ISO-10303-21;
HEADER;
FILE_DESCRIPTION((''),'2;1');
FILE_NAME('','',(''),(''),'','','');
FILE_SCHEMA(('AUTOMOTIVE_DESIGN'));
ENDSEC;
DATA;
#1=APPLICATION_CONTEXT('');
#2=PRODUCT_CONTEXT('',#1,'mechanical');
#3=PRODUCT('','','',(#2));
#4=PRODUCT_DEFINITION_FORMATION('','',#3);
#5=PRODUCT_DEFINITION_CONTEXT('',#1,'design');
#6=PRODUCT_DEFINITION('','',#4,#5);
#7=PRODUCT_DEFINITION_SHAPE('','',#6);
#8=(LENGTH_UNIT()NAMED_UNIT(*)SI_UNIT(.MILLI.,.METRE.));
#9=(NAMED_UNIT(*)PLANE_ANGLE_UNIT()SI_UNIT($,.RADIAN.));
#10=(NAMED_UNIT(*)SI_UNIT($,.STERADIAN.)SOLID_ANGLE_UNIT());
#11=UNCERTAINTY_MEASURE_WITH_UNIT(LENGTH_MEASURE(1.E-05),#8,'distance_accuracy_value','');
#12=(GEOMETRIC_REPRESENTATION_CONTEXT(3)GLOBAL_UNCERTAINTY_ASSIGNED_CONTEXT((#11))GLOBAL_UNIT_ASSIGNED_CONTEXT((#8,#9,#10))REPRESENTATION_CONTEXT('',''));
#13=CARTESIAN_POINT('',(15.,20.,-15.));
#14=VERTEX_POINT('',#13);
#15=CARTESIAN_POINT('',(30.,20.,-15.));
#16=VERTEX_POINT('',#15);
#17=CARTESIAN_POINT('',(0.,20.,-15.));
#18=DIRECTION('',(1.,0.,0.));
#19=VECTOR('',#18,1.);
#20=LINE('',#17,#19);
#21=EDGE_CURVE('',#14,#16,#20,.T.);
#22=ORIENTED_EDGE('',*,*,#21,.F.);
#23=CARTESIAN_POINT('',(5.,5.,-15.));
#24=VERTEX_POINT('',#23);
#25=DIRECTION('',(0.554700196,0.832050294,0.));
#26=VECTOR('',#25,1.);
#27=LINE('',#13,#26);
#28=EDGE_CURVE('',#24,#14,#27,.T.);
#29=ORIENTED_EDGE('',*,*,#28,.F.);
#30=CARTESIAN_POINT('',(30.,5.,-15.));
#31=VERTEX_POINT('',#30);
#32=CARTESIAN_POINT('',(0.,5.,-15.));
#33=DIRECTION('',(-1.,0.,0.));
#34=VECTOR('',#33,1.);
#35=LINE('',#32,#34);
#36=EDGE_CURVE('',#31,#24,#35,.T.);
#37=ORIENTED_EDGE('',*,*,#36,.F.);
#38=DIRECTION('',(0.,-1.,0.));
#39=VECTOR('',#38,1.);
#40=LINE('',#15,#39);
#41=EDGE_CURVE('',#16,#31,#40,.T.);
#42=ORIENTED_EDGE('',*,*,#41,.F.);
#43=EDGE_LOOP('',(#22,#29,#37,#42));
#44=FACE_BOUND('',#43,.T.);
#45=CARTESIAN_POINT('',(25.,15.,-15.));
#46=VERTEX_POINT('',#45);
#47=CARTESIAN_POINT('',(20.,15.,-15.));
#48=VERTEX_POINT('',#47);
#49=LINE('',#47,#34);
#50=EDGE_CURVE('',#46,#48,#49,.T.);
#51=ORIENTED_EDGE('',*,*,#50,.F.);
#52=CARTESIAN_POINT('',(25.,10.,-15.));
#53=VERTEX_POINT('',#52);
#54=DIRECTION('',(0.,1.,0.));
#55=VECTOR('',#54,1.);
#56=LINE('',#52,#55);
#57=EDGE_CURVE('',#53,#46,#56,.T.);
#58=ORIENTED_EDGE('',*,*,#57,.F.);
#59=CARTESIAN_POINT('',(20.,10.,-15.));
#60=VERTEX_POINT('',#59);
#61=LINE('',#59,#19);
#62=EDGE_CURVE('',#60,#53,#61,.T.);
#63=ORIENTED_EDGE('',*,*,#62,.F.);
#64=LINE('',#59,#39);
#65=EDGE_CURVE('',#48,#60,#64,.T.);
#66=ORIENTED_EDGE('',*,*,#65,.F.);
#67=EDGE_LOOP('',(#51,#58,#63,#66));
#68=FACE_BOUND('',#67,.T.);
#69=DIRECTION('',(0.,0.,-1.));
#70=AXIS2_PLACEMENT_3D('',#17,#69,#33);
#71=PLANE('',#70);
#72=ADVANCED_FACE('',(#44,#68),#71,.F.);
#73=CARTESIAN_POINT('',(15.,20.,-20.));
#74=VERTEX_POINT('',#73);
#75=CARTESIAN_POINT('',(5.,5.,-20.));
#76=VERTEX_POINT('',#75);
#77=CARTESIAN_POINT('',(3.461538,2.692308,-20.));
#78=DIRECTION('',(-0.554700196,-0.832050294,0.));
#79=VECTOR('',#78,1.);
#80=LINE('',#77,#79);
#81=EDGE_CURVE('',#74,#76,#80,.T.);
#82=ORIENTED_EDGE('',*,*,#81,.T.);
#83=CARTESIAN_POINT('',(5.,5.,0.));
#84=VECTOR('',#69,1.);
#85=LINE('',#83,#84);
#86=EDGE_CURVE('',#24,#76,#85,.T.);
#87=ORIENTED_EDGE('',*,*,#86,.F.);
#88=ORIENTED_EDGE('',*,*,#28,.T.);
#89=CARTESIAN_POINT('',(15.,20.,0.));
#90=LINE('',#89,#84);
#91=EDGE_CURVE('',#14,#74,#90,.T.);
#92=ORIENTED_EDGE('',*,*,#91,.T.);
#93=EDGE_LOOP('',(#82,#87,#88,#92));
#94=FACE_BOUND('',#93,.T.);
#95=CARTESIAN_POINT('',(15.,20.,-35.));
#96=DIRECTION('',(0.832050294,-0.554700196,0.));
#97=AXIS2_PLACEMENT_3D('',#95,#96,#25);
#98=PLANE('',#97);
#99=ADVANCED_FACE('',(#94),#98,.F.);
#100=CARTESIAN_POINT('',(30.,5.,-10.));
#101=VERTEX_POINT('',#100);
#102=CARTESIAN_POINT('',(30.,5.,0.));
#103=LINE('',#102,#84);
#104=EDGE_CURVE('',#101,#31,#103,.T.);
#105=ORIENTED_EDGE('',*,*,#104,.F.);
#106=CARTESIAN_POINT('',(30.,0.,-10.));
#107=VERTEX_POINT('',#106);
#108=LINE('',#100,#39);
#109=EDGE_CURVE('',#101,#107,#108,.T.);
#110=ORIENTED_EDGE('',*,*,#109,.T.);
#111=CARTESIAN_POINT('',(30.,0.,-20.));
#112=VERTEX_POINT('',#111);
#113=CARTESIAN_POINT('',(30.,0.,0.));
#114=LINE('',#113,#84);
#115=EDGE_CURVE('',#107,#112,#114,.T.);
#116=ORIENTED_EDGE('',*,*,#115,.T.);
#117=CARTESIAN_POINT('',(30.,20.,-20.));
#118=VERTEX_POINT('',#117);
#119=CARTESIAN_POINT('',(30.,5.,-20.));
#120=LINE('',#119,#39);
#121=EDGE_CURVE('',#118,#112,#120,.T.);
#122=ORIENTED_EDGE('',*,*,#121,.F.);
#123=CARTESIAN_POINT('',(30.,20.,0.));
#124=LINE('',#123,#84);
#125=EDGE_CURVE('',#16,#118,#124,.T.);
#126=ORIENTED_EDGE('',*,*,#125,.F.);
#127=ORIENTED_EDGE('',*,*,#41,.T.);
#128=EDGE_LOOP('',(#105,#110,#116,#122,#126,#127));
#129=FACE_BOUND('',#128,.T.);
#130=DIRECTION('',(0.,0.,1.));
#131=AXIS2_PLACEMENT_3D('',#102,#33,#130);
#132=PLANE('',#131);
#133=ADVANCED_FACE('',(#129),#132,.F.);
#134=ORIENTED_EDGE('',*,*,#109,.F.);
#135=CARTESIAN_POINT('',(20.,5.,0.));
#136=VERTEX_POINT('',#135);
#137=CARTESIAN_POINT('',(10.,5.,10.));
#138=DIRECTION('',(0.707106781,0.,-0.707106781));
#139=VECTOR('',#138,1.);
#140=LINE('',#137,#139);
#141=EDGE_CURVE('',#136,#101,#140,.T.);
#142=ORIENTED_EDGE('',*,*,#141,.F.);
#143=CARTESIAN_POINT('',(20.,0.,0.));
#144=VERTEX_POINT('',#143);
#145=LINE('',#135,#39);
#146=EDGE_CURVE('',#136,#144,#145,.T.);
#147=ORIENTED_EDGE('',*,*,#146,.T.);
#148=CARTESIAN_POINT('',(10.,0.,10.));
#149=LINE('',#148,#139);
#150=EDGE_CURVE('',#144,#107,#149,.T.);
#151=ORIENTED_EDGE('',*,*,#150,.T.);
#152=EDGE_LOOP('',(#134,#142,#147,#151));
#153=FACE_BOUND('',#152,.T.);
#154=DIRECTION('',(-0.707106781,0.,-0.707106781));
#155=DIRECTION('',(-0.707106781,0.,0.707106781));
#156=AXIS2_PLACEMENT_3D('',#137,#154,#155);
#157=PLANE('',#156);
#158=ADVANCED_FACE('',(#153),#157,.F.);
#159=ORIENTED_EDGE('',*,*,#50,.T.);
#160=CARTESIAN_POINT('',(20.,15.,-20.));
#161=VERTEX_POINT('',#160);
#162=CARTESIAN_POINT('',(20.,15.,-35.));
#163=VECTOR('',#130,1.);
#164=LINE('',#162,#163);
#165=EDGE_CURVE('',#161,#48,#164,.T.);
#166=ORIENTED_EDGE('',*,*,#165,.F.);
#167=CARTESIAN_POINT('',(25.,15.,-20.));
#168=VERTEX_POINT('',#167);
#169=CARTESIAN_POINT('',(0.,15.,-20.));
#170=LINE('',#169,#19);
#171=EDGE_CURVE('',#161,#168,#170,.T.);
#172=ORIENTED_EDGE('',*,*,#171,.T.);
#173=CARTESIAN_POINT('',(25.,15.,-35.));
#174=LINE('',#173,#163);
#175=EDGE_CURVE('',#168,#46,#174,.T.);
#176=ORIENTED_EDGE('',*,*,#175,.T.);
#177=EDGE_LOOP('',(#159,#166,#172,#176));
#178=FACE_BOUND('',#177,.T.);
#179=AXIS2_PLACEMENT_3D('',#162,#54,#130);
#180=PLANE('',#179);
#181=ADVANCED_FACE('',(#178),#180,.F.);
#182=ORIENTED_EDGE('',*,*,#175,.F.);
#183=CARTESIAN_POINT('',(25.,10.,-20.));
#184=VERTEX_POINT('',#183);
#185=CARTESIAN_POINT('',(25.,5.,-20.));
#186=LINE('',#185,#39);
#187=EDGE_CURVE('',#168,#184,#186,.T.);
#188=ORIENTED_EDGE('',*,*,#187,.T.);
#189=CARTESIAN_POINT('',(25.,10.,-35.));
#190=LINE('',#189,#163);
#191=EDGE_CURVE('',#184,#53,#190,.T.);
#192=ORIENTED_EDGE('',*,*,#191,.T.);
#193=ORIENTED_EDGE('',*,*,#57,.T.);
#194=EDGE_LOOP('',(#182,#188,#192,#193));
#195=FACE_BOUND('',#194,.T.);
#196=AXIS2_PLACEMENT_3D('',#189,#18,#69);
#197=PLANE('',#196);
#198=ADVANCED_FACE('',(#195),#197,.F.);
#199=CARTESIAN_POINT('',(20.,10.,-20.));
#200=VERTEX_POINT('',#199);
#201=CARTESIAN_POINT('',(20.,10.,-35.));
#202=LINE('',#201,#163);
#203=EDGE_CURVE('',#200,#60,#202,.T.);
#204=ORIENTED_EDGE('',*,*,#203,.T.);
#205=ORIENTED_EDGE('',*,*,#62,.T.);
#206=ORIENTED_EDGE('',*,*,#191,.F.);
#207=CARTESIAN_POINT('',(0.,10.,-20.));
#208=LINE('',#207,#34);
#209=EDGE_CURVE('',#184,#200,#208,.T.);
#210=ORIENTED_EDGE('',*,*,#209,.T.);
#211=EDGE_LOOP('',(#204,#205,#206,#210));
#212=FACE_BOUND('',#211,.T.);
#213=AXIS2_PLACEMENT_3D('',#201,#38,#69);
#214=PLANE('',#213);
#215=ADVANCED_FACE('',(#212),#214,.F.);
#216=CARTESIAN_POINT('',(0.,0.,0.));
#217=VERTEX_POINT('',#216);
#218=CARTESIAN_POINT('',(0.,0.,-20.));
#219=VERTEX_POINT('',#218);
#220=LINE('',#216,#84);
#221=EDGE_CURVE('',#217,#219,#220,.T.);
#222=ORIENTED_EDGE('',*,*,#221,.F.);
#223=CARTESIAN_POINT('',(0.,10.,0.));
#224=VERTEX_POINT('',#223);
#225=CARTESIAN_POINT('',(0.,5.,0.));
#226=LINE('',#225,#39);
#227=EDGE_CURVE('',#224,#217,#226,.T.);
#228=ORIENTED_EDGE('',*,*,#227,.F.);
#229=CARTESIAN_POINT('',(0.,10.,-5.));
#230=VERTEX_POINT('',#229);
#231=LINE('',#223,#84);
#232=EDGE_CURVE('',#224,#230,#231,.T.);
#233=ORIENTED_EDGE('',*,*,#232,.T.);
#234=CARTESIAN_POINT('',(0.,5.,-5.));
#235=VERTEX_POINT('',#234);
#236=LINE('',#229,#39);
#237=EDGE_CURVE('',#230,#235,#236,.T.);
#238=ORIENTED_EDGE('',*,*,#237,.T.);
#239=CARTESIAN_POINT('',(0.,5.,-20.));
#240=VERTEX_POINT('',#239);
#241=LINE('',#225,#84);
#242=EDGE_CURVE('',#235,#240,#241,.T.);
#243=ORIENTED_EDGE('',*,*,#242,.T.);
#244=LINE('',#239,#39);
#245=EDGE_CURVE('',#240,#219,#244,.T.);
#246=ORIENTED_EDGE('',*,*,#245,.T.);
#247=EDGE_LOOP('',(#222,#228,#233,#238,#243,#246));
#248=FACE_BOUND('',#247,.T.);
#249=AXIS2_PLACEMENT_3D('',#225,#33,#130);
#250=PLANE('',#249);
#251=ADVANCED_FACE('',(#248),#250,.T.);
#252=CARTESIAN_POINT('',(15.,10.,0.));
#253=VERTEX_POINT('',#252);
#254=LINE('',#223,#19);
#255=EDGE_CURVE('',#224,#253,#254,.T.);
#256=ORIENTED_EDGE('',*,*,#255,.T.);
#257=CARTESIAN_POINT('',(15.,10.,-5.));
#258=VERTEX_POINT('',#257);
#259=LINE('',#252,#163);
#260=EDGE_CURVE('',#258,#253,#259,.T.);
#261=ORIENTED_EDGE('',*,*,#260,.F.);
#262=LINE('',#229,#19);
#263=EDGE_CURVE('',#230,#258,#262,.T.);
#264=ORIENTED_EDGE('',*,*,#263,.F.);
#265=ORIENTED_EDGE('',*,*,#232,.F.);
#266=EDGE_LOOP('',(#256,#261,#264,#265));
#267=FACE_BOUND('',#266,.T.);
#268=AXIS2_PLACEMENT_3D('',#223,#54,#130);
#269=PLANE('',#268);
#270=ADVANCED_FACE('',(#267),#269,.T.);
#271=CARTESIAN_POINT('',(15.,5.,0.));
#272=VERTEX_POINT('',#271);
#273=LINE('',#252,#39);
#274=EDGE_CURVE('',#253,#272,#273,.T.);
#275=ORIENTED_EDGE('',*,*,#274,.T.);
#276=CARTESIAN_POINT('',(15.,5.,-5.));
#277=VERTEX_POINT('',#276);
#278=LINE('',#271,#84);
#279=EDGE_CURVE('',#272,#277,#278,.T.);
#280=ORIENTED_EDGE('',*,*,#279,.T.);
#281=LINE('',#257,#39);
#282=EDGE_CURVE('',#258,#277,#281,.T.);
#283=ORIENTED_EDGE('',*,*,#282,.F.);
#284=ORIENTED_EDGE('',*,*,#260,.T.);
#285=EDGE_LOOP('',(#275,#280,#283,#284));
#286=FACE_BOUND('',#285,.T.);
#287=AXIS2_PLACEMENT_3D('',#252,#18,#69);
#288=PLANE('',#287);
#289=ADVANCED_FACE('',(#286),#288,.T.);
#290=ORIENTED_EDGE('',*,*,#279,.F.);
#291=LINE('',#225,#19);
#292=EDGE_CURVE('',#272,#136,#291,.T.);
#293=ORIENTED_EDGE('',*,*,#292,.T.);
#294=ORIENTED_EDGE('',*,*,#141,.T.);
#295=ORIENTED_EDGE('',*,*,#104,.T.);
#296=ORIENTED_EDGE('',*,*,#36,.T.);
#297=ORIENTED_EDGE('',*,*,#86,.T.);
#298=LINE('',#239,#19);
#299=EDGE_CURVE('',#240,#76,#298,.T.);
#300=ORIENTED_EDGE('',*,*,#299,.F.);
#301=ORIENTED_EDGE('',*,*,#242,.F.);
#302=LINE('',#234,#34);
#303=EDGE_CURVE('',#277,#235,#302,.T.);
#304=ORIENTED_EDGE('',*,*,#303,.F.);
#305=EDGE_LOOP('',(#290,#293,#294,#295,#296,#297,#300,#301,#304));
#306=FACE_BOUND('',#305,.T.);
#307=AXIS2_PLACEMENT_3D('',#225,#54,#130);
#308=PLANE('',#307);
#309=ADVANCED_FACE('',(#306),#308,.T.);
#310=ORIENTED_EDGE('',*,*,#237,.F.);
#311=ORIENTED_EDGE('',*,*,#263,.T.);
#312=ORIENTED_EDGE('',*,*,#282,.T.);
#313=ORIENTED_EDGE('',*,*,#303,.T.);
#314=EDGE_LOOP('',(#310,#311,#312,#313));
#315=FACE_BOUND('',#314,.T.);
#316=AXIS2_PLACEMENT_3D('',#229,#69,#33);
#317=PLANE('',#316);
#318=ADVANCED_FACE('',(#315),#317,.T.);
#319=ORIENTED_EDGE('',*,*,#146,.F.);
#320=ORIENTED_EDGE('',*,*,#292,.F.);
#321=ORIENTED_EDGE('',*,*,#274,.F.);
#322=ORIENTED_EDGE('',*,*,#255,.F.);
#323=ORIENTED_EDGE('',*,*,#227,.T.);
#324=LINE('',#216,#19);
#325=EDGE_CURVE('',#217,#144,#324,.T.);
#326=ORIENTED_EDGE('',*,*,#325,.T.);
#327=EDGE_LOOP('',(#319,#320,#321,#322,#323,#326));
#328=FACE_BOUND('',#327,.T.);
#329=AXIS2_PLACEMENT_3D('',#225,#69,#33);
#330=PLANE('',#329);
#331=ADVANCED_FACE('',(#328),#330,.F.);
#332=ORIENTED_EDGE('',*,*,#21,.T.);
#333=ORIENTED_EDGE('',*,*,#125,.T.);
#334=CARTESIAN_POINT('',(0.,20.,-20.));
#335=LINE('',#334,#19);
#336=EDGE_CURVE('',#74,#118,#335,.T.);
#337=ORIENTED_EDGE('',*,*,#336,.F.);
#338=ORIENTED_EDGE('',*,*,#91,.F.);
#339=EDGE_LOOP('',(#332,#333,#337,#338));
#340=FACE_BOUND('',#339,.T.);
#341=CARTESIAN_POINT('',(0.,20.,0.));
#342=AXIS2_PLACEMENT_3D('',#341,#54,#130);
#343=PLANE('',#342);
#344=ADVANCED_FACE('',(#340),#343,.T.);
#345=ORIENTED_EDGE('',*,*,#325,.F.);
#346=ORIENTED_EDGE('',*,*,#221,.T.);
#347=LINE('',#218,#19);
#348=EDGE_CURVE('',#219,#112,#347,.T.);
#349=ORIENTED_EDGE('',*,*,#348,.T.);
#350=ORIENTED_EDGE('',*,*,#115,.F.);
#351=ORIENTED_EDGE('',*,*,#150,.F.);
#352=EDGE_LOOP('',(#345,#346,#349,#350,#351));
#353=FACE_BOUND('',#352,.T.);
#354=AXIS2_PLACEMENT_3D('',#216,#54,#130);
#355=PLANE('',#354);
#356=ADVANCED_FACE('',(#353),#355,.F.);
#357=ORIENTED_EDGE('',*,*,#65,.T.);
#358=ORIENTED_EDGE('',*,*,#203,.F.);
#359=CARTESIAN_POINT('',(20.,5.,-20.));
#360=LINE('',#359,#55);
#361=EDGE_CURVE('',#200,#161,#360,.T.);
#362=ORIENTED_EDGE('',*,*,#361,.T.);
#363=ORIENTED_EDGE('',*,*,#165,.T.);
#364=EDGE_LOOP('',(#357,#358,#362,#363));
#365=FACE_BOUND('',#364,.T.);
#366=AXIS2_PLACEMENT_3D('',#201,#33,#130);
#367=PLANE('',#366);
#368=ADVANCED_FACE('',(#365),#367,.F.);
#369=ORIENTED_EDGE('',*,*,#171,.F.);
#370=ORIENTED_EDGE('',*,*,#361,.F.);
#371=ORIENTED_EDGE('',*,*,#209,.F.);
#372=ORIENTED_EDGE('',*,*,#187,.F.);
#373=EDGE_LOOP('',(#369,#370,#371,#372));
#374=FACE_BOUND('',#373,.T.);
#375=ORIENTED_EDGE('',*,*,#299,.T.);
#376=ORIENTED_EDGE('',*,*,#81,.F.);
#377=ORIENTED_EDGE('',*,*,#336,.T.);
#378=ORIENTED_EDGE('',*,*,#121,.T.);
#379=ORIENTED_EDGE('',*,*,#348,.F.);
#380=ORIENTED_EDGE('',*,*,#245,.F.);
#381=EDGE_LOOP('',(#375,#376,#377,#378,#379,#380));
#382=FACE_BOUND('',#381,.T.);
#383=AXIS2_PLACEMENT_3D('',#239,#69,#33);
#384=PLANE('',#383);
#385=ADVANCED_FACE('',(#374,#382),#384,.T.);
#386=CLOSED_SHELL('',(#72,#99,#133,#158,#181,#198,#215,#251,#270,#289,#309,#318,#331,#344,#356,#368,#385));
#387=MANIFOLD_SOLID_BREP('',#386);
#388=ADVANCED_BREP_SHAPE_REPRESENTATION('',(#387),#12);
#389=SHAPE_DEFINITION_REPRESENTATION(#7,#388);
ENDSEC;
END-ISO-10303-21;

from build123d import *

# Parameters (mm, degrees)
EXTRUDE_1_DEPTH     = 5
SKETCH_1_3_W        = 15
SKETCH_1_3_H        = 5
EXTRUDE_2_DEPTH     = 10
SKETCH_1_4_W        = 25
SKETCH_1_4_H        = 5
EXTRUDE_3_DEPTH     = 20
SKETCH_2_W          = 5
SKETCH_2_H          = 5
CUT_EXTRUDE_1_DEPTH = 20


with BuildPart() as part:
    # 草圖1 → 填料-伸長1 (new body)
    with BuildSketch(Plane(origin=(0, 0, 0), x_dir=(1, 0, 0), z_dir=(0, 1, 0))):
        Polygon((20, 0), (30, 10), (30, 20), (0, 20), (0, 0), align=None)
    extrude(amount=EXTRUDE_1_DEPTH)

    # 草圖1<3> → 填料-伸長2 (add)
    with BuildSketch(Plane(origin=(0, 0, 0), x_dir=(1, 0, 0), z_dir=(0, 1, 0))):
        with Locations((7.5, 2.5)):
            Rectangle(SKETCH_1_3_W, SKETCH_1_3_H)
    extrude(amount=EXTRUDE_2_DEPTH)

    # 草圖1<4> → 填料-伸長3 (add)
    with BuildSketch(Plane(origin=(0, 0, 0), x_dir=(1, 0, 0), z_dir=(0, 1, 0))):
        with Locations((17.5, 17.5)):
            Rectangle(SKETCH_1_4_W, SKETCH_1_4_H)
    extrude(amount=EXTRUDE_3_DEPTH)

    # 草圖2 → 除料-伸長1 (cut)
    with BuildSketch(Plane.XY.offset(-15)):
        with Locations((22.5, 12.5)):
            Rectangle(SKETCH_2_W, SKETCH_2_H)
        Polygon((5, 20), (15, 20), (5, 5), align=None)
    extrude(amount=-CUT_EXTRUDE_1_DEPTH, mode=Mode.SUBTRACT)


solid = part.part
